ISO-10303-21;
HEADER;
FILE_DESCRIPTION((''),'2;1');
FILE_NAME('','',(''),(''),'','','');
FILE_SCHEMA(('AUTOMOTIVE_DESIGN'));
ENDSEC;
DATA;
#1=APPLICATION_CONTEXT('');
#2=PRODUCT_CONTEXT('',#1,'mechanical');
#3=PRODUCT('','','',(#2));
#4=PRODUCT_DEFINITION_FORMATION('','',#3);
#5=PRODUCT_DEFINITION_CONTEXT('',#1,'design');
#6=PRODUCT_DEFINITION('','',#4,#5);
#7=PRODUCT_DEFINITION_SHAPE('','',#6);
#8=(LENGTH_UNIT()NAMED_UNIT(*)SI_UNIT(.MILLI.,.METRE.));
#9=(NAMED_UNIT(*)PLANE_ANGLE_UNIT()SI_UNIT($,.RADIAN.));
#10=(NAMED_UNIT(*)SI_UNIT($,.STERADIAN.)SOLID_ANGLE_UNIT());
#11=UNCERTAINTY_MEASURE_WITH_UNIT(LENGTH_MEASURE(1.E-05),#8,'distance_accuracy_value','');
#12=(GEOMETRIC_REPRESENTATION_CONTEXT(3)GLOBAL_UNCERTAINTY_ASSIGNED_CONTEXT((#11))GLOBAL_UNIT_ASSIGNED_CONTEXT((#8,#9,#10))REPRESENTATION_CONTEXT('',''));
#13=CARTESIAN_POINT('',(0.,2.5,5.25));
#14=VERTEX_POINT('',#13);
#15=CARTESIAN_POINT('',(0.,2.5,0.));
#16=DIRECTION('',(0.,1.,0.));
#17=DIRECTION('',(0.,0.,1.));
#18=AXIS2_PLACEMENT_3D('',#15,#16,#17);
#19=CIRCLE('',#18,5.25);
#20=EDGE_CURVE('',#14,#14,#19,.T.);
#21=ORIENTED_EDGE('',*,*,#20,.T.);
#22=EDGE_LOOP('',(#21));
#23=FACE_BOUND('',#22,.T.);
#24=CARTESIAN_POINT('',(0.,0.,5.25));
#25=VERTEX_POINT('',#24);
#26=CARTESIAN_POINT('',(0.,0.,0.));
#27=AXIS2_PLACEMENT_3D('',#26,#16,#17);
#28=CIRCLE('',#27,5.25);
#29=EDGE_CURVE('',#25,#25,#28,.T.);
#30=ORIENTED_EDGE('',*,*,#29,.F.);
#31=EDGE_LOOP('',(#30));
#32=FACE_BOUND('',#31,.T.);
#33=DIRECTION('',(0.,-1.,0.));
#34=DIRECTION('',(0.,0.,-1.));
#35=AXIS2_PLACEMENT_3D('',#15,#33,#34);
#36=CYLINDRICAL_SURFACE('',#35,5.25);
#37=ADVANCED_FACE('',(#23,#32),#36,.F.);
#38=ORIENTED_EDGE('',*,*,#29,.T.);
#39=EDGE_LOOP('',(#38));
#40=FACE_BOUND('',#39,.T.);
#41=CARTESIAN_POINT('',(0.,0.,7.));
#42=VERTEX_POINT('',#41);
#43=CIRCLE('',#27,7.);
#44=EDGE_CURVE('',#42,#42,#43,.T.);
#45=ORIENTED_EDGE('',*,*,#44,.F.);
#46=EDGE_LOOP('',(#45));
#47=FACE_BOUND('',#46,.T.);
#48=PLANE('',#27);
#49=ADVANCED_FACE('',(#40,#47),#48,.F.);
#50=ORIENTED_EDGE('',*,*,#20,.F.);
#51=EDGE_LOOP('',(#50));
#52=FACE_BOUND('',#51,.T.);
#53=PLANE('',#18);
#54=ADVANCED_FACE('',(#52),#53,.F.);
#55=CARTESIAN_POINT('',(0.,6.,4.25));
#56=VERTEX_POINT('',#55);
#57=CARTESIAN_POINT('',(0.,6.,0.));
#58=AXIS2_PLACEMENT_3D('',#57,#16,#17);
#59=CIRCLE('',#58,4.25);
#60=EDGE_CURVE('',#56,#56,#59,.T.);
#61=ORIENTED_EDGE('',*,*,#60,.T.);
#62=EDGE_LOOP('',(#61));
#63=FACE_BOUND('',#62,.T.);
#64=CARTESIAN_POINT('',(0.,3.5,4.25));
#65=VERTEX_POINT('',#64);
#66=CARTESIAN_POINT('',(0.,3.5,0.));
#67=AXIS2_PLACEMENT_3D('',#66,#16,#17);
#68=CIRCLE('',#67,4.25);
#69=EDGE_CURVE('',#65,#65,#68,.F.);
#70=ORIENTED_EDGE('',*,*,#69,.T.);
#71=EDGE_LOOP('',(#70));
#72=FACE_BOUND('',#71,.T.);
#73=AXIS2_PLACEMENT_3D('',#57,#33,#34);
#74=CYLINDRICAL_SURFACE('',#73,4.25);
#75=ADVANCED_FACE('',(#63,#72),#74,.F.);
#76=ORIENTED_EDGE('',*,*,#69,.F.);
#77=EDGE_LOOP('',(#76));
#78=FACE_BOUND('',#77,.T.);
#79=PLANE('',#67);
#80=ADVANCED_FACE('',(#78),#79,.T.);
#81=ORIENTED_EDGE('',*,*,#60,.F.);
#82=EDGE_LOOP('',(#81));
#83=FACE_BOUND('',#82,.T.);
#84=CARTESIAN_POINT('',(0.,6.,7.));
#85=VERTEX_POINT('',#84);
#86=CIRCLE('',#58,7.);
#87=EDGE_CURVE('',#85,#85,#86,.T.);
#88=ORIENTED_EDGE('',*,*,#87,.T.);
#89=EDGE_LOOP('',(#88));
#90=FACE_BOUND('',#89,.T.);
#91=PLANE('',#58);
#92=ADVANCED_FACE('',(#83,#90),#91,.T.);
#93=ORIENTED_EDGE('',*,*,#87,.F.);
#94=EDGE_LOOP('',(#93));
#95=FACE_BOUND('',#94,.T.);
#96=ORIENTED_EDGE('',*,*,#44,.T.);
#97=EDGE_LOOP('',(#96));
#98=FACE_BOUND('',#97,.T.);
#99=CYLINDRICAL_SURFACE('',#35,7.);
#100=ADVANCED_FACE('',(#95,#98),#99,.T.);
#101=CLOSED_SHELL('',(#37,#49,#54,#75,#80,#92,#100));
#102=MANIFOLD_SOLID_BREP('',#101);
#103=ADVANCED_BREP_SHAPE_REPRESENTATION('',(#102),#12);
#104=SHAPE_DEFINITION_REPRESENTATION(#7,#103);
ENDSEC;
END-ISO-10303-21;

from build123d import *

# Parameters (mm, degrees)
SKETCH1_R           = 7
SKETCH1_R_2         = 5.25
BOSS_EXTRUDE1_DEPTH = 2.5
SKETCH2_R           = 7
BOSS_EXTRUDE2_DEPTH = 1
SKETCH3_R           = 7
SKETCH3_R_2         = 4.25
BOSS_EXTRUDE3_DEPTH = 2.5


with BuildPart() as part:
    # Sketch1 → Boss-Extrude1 (new body)
    with BuildSketch(Plane(origin=(0, 0, 0), x_dir=(1, 0, 0), z_dir=(0, 1, 0))):
        Circle(SKETCH1_R)
        Circle(SKETCH1_R_2, mode=Mode.SUBTRACT)
    extrude(amount=BOSS_EXTRUDE1_DEPTH)

    # Sketch2 → Boss-Extrude2 (add)
    with BuildSketch(Plane(origin=(0, 2.5, 0), x_dir=(1, 0, 0), z_dir=(0, 1, 0))):
        Circle(SKETCH2_R)
    extrude(amount=BOSS_EXTRUDE2_DEPTH)

    # Sketch3 → Boss-Extrude3 (add)
    with BuildSketch(Plane(origin=(0, 3.5, 0), x_dir=(1, 0, 0), z_dir=(0, 1, 0))):
        Circle(SKETCH3_R)
        Circle(SKETCH3_R_2, mode=Mode.SUBTRACT)
    extrude(amount=BOSS_EXTRUDE3_DEPTH)


solid = part.part
